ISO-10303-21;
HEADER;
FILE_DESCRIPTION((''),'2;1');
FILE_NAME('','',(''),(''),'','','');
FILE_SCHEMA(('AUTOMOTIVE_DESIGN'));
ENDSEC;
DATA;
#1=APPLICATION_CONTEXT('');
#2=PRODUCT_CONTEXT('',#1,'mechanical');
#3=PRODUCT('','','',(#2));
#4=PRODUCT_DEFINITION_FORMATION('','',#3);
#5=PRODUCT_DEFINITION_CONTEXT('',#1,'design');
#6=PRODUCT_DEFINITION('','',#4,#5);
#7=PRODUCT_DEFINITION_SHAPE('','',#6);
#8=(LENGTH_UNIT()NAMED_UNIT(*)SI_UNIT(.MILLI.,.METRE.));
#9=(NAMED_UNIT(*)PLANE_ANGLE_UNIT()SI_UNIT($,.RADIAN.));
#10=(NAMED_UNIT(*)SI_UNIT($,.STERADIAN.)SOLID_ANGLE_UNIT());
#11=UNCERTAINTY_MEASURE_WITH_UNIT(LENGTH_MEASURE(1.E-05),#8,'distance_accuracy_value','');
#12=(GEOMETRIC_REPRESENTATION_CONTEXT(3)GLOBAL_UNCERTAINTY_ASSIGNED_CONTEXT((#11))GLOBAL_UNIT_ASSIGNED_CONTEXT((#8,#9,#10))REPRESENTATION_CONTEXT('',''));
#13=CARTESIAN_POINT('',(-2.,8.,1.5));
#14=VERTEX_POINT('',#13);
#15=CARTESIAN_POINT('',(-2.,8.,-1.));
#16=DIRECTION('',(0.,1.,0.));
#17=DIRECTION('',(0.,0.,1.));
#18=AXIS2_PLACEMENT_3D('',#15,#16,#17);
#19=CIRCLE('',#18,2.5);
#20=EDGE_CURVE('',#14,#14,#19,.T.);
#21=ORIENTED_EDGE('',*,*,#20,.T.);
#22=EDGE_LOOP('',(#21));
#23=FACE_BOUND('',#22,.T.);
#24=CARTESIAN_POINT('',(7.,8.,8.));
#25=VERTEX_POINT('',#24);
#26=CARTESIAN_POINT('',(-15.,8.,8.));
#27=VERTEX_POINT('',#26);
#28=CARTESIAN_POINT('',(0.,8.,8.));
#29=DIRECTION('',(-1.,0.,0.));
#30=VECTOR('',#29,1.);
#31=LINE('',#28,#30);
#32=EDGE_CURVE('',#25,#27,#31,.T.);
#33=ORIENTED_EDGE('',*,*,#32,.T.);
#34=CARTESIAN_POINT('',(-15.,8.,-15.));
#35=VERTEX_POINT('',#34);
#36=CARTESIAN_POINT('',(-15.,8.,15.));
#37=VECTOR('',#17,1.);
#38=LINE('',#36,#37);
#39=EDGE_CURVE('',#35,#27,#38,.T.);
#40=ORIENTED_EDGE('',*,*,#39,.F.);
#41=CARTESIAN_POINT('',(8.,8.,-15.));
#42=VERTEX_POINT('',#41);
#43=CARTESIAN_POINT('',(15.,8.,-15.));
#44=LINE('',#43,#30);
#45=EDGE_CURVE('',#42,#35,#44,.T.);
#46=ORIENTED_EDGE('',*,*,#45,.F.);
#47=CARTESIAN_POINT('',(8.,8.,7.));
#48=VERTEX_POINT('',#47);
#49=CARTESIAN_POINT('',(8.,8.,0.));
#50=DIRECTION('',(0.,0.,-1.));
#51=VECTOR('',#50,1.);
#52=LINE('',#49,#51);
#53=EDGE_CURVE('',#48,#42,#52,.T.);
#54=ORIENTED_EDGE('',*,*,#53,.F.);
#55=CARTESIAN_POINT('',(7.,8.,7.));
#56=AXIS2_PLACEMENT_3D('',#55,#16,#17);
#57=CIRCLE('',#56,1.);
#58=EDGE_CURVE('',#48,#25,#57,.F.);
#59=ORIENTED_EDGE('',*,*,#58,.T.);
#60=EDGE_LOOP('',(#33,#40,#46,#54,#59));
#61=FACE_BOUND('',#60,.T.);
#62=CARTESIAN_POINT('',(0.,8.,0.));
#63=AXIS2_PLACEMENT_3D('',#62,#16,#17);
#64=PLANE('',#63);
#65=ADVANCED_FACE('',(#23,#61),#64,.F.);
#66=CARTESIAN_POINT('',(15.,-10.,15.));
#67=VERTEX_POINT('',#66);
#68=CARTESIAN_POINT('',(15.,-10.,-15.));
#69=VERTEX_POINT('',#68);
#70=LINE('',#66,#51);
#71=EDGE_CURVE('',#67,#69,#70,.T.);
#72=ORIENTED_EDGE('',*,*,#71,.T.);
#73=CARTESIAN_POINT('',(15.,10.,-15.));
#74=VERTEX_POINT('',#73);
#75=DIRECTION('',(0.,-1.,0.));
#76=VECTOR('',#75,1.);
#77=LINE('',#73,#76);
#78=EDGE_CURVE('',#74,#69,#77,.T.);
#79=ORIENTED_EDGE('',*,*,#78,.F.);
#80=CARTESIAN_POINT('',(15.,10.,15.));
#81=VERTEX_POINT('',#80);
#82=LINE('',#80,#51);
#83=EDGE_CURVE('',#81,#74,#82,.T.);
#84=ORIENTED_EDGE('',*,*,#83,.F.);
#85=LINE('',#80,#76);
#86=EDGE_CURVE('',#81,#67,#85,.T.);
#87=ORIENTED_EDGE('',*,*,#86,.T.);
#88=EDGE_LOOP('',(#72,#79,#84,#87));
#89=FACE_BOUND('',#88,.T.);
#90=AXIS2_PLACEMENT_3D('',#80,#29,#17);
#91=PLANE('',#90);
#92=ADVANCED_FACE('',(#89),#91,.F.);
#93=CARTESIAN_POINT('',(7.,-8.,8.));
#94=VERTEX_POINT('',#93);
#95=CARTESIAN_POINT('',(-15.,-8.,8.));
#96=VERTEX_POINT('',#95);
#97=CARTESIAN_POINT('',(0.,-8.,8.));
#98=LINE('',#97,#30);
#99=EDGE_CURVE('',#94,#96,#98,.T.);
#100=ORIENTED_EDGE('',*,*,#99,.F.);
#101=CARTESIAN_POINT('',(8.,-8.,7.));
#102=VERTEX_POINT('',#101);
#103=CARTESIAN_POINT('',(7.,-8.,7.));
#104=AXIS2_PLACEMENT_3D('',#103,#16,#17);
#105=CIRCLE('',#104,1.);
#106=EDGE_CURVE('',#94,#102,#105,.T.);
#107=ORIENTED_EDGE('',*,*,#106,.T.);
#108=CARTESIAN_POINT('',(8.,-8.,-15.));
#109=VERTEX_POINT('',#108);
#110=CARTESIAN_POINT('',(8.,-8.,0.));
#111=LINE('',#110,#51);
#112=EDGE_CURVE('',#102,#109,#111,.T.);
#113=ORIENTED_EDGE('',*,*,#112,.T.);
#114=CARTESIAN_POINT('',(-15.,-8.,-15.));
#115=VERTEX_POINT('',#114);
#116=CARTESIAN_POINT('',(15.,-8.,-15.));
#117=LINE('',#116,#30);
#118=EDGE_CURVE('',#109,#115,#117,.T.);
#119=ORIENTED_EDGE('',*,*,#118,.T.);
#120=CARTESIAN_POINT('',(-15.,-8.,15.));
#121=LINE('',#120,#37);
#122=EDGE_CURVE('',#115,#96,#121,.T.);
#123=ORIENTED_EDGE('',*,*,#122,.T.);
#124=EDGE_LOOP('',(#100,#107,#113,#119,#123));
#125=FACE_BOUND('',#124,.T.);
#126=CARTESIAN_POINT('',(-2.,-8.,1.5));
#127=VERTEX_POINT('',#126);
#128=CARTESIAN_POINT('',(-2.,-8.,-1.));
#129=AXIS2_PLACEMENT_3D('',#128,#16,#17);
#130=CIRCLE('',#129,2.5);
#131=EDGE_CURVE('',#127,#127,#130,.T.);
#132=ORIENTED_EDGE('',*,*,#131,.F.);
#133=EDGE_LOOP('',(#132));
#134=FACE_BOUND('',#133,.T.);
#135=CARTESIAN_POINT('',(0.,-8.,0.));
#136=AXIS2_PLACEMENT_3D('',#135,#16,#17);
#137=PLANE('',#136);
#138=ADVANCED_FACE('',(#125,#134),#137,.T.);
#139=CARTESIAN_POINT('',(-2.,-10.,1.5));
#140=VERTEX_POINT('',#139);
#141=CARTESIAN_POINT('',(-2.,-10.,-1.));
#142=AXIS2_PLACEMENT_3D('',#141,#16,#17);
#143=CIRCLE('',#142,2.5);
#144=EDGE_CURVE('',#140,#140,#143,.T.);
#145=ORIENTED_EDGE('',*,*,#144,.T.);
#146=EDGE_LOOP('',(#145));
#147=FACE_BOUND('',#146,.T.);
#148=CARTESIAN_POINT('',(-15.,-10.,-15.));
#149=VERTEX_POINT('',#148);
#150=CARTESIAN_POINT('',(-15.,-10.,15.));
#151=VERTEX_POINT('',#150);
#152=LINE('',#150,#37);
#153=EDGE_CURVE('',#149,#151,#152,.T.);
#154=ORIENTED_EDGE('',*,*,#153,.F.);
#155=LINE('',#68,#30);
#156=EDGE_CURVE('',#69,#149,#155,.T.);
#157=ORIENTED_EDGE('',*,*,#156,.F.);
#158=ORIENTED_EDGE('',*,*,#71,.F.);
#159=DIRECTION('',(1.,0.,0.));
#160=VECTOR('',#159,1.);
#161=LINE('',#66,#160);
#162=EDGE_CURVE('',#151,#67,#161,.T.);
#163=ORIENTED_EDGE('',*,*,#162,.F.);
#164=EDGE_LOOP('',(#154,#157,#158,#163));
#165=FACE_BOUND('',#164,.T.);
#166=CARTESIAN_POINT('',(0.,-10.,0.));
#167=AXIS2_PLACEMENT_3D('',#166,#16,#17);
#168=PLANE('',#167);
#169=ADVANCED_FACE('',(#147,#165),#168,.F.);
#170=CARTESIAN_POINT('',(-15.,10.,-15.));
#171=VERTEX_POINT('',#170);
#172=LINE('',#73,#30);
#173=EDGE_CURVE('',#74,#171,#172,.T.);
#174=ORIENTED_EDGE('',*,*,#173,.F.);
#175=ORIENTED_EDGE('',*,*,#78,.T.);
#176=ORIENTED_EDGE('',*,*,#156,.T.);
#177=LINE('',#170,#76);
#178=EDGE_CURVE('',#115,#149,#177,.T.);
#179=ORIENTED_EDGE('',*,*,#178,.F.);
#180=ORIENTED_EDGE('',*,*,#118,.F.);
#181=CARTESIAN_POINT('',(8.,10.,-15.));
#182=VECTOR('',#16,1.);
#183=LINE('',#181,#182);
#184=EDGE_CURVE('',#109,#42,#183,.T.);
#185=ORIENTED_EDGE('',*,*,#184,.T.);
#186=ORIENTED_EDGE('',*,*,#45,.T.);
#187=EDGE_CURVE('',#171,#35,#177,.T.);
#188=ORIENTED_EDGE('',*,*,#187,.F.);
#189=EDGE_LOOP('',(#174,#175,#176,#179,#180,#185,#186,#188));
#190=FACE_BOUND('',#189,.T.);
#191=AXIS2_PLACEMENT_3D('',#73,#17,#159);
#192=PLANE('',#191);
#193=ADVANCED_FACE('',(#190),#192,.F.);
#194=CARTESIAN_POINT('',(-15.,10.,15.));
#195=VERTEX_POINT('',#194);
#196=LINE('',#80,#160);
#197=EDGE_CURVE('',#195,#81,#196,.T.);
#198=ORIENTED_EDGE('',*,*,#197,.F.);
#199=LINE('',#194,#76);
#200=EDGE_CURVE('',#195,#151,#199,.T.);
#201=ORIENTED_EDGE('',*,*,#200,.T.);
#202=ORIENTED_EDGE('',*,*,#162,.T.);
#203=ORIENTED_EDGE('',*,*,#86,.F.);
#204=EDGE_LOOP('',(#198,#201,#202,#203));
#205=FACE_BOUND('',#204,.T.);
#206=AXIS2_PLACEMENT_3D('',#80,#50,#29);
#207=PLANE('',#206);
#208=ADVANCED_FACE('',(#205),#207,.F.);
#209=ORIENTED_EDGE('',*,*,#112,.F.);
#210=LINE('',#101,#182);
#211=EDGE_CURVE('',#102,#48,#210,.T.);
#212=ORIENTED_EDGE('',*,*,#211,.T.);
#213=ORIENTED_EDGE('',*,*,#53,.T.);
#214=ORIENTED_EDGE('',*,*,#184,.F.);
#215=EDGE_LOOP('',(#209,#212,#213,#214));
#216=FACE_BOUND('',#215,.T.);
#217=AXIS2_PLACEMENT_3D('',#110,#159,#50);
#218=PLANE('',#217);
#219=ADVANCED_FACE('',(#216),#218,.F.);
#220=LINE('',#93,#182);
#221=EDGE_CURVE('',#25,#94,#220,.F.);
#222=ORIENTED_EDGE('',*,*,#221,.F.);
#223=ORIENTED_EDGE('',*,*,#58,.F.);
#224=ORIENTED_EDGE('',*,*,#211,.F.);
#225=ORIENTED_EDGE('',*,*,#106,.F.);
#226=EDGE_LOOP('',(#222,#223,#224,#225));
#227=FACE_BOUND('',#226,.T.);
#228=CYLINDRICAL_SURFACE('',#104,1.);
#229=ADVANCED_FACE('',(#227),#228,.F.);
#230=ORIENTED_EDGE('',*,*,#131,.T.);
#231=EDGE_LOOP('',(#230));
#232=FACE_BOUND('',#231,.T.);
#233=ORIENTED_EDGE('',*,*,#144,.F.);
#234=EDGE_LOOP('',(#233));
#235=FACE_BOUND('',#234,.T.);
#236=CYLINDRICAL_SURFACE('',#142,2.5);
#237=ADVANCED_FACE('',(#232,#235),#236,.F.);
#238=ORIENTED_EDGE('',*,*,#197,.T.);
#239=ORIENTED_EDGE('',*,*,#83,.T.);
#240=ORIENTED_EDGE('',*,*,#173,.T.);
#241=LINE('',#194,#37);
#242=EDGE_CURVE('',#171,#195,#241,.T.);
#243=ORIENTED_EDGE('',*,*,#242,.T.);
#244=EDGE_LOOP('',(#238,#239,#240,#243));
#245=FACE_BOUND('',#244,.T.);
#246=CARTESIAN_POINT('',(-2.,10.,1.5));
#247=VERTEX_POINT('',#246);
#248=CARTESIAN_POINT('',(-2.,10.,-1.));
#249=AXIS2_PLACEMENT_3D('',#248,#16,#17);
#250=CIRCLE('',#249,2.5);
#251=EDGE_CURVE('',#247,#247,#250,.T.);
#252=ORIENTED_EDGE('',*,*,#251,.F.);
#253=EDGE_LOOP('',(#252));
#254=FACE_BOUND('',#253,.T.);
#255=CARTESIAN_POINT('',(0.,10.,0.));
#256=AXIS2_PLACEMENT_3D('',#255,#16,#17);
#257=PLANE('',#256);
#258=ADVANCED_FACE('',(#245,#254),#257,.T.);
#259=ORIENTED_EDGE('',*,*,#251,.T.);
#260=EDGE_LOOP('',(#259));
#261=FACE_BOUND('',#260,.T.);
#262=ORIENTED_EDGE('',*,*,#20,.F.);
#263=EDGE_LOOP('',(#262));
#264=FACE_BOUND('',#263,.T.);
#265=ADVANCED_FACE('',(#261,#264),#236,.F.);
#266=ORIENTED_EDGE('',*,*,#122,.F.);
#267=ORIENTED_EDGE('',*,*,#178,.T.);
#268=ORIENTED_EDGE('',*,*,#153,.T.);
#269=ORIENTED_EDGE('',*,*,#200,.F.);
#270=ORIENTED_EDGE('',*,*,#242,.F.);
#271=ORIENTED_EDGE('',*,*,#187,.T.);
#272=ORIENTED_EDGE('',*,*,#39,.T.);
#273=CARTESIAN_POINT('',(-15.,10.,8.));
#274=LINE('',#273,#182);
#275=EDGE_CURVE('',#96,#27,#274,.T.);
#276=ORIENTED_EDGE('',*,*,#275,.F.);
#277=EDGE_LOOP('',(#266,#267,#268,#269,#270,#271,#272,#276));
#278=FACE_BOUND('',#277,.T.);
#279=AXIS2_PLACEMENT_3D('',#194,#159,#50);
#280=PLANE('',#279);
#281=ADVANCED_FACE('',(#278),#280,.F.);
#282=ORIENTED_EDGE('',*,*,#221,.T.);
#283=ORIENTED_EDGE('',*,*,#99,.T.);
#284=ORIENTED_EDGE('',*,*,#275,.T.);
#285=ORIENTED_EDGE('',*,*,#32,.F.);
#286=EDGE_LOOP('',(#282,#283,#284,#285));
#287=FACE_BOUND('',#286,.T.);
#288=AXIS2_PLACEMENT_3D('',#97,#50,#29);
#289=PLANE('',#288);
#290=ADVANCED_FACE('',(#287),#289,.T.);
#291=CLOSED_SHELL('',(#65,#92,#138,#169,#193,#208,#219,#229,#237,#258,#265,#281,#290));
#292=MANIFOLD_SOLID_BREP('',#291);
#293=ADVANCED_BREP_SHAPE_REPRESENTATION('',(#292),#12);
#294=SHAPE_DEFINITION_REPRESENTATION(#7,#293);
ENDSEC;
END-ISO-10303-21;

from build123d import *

# Parameters (mm, degrees)
SKETCH1_W               = 30
SKETCH1_H               = 30
BOSS_EXTRUDE1_DEPTH     = 10
SKETCH2_W               = 31
SKETCH2_H               = 31
SKETCH2_W_2             = 15
SKETCH2_H_2             = 15
CUT_EXTRUDE1_DEPTH      = 8
FILLET1_R               = 1
CUT_EXTRUDE2_DEPTH      = 28.820855486
CUT_EXTRUDE2_DEPTH_BACK = 28.820855486
SKETCH3_R               = 2.5


with BuildPart() as part:
    # Sketch1 → Boss-Extrude1 (new, symmetric)
    with BuildSketch(Plane(origin=(0, 0, 0), x_dir=(1, 0, 0), z_dir=(0, 1, 0))):
        Rectangle(SKETCH1_W, SKETCH1_H)
    extrude(amount=BOSS_EXTRUDE1_DEPTH, both=True)

    # Sketch2 → Cut-Extrude1 (cut, symmetric)
    # profile 1 of 3: a face of its own
    with BuildSketch(Plane(origin=(0, 0, 0), x_dir=(1, 0, 0), z_dir=(0, 1, 0))):
        with Locations((-7.5, 7.5)):
            Rectangle(SKETCH2_W, SKETCH2_H)
        with Locations((-7.5, 7.5)):
            Rectangle(SKETCH2_W_2, SKETCH2_H_2, mode=Mode.SUBTRACT)
    # profile 2 of 3: a face of its own
    with BuildSketch(Plane(origin=(0, 0, 0), x_dir=(1, 0, 0), z_dir=(0, 1, 0))):
        with Locations((-7.5, 7.5)):
            Rectangle(SKETCH2_W, SKETCH2_H)
        with Locations((-7.5, 7.5)):
            Rectangle(SKETCH2_W_2, SKETCH2_H_2, mode=Mode.SUBTRACT)
    # profile 3 of 3: a face of its own
    with BuildSketch(Plane(origin=(0, 0, 0), x_dir=(1, 0, 0), z_dir=(0, 1, 0))):
        with Locations((-7.5, 7.5)):
            Rectangle(SKETCH2_W_2, SKETCH2_H_2)
    extrude(amount=CUT_EXTRUDE1_DEPTH, both=True, mode=Mode.SUBTRACT)

    # Fillet1
    fillet1_edges = [part.edges().sort_by_distance(p)[0] for p in [
        (8, 0, 8),
    ]]
    fillet(fillet1_edges, radius=FILLET1_R)

    # Sketch3 → Cut-Extrude2 (cut, two sides: drawn at the far end of the back side and taken through both)
    with BuildSketch(Plane(origin=(0, -8, 0), x_dir=(1, 0, 0), z_dir=(0, 1, 0)).offset(-CUT_EXTRUDE2_DEPTH_BACK)):
        with Locations(Location((-2, 1, 0), (0, 0, 270))):
            Circle(SKETCH3_R)
    extrude(amount=CUT_EXTRUDE2_DEPTH + CUT_EXTRUDE2_DEPTH_BACK, mode=Mode.SUBTRACT)


solid = part.part
